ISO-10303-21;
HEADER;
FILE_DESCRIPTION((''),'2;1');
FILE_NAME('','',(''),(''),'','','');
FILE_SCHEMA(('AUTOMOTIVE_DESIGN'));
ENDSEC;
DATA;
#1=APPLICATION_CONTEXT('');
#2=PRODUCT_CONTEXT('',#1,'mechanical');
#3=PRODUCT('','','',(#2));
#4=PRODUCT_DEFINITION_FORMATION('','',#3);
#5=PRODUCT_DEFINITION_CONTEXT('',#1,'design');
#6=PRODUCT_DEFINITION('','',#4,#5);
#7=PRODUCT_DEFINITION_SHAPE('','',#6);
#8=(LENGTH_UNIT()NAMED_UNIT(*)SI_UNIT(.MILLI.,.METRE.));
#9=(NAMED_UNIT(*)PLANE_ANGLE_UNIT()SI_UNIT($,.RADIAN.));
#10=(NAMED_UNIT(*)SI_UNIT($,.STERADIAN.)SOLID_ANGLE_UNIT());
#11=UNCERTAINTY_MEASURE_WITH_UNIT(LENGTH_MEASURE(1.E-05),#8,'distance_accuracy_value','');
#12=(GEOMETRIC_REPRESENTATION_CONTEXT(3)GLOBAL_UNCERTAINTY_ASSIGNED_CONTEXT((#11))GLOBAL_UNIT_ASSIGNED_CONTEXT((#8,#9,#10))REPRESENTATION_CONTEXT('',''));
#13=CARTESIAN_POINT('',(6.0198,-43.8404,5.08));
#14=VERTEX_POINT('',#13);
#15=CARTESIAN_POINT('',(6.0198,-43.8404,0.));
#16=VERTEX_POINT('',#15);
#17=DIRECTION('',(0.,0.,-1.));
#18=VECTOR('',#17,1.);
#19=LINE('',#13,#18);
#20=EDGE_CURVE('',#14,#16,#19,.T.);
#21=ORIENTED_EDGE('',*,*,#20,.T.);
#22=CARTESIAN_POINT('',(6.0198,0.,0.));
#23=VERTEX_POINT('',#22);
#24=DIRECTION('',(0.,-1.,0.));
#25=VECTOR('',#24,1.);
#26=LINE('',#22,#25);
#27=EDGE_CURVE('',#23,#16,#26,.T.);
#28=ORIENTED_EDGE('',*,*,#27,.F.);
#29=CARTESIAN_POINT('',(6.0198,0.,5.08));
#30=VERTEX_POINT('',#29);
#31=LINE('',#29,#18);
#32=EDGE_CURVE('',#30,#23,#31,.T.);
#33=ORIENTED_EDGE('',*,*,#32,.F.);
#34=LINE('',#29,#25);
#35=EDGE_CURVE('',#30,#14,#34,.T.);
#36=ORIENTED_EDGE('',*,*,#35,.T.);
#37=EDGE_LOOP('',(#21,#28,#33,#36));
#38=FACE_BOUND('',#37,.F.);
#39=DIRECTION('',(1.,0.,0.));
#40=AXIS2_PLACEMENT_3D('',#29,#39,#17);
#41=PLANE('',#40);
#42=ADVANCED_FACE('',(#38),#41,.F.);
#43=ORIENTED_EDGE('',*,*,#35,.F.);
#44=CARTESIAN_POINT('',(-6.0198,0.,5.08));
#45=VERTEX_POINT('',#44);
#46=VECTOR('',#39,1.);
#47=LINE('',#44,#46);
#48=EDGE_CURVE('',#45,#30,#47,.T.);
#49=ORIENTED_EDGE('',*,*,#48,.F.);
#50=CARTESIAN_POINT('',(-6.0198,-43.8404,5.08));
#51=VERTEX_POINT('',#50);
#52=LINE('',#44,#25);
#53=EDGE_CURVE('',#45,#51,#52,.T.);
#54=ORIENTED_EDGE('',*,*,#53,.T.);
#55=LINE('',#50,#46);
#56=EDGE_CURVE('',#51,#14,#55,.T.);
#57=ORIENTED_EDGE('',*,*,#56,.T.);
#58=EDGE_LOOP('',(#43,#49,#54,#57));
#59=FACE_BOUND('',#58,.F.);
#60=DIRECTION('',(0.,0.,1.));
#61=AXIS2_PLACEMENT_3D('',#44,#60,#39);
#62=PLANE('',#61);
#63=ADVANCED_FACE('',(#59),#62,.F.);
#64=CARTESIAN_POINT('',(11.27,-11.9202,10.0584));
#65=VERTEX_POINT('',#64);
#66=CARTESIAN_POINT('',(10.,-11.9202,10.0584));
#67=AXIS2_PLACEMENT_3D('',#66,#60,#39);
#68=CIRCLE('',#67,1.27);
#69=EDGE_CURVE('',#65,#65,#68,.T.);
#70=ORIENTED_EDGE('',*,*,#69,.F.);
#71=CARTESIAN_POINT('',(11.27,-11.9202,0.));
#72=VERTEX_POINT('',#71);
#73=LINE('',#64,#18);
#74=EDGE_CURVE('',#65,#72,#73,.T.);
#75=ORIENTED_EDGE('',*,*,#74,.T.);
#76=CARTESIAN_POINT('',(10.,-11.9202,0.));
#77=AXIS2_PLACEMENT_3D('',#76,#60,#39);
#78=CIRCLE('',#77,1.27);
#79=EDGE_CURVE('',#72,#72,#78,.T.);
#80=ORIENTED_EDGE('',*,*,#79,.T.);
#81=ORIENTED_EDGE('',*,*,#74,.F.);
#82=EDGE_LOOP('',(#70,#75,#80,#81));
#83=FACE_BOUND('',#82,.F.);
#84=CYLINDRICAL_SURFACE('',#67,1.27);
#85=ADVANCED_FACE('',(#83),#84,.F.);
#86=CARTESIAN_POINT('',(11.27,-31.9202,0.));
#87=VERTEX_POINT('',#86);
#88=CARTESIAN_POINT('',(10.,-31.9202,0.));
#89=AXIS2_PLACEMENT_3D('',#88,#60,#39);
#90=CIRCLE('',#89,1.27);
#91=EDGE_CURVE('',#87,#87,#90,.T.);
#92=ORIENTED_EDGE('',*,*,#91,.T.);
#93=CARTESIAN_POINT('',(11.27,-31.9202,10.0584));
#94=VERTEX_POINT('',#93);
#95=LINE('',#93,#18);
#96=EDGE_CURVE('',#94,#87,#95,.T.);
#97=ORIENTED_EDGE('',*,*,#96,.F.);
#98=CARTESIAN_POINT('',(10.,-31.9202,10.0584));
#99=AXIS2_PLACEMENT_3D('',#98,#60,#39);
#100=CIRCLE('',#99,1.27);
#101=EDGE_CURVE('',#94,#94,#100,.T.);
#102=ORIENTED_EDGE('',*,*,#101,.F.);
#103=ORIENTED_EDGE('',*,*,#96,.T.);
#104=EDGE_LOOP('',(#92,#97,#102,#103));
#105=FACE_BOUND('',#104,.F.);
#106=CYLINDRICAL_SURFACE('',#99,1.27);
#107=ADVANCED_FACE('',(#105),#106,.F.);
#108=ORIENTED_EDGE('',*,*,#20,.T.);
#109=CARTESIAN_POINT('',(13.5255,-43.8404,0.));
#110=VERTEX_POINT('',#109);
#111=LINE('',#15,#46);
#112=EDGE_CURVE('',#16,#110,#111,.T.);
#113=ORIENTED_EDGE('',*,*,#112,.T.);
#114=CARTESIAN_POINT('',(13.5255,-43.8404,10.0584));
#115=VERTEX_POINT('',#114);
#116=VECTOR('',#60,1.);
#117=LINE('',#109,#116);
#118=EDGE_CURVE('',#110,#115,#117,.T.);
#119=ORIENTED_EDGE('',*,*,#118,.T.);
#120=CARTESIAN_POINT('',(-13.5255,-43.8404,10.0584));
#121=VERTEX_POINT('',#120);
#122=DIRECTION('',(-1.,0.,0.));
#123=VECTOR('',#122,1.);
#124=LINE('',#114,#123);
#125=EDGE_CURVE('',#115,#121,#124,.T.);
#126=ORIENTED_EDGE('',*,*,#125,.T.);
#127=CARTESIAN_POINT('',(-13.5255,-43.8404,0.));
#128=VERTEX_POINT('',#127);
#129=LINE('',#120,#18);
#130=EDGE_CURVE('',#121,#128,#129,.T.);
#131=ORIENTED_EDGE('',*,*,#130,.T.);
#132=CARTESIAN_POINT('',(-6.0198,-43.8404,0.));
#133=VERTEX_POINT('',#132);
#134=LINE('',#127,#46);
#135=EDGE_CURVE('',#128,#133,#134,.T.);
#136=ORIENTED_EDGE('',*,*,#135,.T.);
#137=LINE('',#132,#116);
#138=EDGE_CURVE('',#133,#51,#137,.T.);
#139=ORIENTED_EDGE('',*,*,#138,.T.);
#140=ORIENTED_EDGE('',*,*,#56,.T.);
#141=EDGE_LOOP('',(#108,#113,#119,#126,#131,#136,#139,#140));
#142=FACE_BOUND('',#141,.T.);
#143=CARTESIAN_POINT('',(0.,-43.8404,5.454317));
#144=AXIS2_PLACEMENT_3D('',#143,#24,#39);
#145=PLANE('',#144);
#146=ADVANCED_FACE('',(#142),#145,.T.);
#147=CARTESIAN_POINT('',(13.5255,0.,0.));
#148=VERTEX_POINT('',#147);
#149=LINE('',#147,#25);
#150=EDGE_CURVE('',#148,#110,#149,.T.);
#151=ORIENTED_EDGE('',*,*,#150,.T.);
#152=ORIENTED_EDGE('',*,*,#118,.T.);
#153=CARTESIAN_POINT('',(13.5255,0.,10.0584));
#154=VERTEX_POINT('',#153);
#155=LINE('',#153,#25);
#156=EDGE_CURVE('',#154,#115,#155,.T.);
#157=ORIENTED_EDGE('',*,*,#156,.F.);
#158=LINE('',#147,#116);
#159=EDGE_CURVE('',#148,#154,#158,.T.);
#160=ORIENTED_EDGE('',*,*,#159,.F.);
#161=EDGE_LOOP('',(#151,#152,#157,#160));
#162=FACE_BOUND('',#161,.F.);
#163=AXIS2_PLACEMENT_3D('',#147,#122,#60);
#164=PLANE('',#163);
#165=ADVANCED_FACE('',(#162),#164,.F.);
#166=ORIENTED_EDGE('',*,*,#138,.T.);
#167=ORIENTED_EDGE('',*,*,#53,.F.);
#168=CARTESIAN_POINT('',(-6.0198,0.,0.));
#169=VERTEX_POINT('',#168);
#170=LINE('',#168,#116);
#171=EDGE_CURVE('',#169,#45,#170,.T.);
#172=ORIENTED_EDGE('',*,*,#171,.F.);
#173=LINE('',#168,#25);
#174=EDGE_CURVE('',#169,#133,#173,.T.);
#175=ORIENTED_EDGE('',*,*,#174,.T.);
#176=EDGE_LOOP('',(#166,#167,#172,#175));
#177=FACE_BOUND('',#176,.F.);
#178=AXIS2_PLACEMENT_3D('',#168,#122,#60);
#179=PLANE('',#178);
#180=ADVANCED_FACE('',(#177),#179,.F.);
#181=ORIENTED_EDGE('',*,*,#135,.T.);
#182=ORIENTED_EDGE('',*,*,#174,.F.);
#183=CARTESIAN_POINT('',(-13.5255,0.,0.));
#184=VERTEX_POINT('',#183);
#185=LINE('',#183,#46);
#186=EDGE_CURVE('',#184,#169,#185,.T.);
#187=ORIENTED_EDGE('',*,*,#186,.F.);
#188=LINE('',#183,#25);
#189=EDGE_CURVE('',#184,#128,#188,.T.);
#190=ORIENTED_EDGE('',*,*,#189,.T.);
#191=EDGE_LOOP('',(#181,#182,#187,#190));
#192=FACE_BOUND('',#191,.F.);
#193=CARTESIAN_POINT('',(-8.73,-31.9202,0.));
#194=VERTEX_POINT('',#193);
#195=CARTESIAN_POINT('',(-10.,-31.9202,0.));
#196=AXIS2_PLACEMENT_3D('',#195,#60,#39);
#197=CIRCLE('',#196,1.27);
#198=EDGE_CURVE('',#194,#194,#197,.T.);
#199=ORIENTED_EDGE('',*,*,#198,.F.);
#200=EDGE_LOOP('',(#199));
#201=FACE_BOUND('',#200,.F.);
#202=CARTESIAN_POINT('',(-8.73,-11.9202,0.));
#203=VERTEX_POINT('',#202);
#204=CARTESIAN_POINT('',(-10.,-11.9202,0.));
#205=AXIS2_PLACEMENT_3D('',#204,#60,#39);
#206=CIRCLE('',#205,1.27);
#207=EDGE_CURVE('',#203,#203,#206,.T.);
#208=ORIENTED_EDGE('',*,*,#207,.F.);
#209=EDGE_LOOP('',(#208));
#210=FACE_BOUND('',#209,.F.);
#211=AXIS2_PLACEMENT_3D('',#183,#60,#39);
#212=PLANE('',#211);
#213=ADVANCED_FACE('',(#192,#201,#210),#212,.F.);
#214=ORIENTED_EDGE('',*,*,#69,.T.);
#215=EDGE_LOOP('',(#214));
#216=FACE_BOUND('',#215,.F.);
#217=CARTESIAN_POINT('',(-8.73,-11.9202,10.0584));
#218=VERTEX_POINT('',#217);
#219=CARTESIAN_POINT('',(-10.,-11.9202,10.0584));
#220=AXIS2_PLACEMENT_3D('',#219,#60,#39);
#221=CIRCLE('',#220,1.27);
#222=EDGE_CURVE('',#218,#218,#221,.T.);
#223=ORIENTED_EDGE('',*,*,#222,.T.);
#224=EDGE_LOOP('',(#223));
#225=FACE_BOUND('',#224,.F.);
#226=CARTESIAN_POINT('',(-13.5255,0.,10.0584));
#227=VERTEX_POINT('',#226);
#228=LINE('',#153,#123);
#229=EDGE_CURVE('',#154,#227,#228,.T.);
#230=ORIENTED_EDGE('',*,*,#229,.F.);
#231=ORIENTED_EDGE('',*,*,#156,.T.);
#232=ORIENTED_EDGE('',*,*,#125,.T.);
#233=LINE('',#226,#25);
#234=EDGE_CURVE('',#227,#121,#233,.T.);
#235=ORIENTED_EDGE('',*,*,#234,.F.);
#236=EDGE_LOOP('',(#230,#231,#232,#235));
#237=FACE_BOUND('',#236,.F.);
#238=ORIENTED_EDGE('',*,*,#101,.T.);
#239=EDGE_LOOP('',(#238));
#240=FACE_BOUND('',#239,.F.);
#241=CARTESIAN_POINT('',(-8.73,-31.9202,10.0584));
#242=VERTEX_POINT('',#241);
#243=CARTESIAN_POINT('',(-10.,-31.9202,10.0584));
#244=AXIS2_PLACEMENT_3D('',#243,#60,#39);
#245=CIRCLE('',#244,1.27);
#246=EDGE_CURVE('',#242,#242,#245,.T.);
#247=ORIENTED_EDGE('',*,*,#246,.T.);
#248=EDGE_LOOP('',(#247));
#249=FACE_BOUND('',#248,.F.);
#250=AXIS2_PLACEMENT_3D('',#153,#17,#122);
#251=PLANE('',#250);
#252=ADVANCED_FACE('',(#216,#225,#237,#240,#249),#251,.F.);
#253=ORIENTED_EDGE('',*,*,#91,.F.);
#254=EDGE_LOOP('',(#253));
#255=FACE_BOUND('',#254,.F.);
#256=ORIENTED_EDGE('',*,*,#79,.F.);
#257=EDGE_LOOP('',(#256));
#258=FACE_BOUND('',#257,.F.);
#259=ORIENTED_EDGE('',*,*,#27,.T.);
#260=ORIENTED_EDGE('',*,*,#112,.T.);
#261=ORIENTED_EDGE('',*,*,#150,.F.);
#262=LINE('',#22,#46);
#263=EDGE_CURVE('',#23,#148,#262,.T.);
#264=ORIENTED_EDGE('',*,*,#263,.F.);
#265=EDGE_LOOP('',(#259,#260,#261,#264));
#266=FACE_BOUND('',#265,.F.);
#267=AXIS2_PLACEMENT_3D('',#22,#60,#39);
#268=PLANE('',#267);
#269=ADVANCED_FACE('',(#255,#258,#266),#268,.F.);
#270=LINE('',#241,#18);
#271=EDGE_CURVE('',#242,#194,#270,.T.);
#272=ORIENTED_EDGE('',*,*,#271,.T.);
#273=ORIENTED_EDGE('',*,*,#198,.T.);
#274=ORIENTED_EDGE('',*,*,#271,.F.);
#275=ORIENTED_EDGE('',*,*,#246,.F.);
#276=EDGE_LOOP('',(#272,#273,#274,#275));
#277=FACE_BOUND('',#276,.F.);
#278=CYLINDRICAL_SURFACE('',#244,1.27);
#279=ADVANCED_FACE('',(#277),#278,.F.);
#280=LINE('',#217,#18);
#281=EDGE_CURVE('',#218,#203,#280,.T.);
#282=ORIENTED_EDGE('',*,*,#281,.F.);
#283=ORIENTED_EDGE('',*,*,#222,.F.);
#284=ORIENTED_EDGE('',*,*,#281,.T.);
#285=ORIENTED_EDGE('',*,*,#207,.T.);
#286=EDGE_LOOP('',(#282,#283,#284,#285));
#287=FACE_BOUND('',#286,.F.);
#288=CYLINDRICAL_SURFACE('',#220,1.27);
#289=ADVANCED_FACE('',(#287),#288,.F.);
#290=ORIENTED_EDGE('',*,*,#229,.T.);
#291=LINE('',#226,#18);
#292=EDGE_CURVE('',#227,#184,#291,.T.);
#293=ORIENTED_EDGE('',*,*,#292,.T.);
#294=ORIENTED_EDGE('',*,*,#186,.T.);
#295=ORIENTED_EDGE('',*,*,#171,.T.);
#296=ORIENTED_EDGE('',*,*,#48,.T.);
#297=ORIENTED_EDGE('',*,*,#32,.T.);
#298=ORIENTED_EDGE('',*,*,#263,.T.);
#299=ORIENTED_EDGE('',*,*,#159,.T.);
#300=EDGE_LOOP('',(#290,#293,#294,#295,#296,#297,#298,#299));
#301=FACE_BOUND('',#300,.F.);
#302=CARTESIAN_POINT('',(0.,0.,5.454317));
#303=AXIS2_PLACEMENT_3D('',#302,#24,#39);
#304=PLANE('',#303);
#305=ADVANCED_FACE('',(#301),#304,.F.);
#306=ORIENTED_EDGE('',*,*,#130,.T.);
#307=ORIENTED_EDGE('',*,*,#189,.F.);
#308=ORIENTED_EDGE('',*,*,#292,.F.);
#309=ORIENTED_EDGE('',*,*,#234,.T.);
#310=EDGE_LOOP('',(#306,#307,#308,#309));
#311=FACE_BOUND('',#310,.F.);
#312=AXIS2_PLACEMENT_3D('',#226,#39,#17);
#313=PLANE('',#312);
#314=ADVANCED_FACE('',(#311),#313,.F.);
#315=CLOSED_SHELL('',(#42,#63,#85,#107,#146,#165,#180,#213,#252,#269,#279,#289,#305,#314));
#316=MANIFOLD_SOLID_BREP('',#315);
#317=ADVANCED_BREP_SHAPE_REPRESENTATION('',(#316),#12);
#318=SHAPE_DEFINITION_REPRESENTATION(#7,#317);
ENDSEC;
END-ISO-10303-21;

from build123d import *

# Parameters (mm, degrees)
F1_DEPTH = 43.8404
F2_R     = 1.27
F3_DEPTH = 10.0584


with BuildPart() as f1:
    # F0 (on Front) → F1 (new body)
    with BuildSketch(Plane.XZ):
        Polygon((6.0198, 5.08), (6.0198, 0), (13.5255, 0), (13.5255, 10.0584), (0, 10.0584), (-13.5255, 10.0584), (-13.5255, 0), (-6.0198, 0), (-6.0198, 5.08), (0, 5.08), align=None)
    extrude(amount=F1_DEPTH)

    # F2 (on face) → F3 (cut, through all)
    with BuildSketch(Plane.XY.offset(10.0584)):
        with Locations((10, -11.9202)):
            Circle(F2_R)
        with Locations((10, -31.9202)):
            Circle(F2_R)
        with Locations((-10, -31.9202)):
            Circle(F2_R)
        with Locations((-10, -11.9202)):
            Circle(F2_R)
    extrude(amount=-F3_DEPTH, mode=Mode.SUBTRACT)


solid = f1.part
